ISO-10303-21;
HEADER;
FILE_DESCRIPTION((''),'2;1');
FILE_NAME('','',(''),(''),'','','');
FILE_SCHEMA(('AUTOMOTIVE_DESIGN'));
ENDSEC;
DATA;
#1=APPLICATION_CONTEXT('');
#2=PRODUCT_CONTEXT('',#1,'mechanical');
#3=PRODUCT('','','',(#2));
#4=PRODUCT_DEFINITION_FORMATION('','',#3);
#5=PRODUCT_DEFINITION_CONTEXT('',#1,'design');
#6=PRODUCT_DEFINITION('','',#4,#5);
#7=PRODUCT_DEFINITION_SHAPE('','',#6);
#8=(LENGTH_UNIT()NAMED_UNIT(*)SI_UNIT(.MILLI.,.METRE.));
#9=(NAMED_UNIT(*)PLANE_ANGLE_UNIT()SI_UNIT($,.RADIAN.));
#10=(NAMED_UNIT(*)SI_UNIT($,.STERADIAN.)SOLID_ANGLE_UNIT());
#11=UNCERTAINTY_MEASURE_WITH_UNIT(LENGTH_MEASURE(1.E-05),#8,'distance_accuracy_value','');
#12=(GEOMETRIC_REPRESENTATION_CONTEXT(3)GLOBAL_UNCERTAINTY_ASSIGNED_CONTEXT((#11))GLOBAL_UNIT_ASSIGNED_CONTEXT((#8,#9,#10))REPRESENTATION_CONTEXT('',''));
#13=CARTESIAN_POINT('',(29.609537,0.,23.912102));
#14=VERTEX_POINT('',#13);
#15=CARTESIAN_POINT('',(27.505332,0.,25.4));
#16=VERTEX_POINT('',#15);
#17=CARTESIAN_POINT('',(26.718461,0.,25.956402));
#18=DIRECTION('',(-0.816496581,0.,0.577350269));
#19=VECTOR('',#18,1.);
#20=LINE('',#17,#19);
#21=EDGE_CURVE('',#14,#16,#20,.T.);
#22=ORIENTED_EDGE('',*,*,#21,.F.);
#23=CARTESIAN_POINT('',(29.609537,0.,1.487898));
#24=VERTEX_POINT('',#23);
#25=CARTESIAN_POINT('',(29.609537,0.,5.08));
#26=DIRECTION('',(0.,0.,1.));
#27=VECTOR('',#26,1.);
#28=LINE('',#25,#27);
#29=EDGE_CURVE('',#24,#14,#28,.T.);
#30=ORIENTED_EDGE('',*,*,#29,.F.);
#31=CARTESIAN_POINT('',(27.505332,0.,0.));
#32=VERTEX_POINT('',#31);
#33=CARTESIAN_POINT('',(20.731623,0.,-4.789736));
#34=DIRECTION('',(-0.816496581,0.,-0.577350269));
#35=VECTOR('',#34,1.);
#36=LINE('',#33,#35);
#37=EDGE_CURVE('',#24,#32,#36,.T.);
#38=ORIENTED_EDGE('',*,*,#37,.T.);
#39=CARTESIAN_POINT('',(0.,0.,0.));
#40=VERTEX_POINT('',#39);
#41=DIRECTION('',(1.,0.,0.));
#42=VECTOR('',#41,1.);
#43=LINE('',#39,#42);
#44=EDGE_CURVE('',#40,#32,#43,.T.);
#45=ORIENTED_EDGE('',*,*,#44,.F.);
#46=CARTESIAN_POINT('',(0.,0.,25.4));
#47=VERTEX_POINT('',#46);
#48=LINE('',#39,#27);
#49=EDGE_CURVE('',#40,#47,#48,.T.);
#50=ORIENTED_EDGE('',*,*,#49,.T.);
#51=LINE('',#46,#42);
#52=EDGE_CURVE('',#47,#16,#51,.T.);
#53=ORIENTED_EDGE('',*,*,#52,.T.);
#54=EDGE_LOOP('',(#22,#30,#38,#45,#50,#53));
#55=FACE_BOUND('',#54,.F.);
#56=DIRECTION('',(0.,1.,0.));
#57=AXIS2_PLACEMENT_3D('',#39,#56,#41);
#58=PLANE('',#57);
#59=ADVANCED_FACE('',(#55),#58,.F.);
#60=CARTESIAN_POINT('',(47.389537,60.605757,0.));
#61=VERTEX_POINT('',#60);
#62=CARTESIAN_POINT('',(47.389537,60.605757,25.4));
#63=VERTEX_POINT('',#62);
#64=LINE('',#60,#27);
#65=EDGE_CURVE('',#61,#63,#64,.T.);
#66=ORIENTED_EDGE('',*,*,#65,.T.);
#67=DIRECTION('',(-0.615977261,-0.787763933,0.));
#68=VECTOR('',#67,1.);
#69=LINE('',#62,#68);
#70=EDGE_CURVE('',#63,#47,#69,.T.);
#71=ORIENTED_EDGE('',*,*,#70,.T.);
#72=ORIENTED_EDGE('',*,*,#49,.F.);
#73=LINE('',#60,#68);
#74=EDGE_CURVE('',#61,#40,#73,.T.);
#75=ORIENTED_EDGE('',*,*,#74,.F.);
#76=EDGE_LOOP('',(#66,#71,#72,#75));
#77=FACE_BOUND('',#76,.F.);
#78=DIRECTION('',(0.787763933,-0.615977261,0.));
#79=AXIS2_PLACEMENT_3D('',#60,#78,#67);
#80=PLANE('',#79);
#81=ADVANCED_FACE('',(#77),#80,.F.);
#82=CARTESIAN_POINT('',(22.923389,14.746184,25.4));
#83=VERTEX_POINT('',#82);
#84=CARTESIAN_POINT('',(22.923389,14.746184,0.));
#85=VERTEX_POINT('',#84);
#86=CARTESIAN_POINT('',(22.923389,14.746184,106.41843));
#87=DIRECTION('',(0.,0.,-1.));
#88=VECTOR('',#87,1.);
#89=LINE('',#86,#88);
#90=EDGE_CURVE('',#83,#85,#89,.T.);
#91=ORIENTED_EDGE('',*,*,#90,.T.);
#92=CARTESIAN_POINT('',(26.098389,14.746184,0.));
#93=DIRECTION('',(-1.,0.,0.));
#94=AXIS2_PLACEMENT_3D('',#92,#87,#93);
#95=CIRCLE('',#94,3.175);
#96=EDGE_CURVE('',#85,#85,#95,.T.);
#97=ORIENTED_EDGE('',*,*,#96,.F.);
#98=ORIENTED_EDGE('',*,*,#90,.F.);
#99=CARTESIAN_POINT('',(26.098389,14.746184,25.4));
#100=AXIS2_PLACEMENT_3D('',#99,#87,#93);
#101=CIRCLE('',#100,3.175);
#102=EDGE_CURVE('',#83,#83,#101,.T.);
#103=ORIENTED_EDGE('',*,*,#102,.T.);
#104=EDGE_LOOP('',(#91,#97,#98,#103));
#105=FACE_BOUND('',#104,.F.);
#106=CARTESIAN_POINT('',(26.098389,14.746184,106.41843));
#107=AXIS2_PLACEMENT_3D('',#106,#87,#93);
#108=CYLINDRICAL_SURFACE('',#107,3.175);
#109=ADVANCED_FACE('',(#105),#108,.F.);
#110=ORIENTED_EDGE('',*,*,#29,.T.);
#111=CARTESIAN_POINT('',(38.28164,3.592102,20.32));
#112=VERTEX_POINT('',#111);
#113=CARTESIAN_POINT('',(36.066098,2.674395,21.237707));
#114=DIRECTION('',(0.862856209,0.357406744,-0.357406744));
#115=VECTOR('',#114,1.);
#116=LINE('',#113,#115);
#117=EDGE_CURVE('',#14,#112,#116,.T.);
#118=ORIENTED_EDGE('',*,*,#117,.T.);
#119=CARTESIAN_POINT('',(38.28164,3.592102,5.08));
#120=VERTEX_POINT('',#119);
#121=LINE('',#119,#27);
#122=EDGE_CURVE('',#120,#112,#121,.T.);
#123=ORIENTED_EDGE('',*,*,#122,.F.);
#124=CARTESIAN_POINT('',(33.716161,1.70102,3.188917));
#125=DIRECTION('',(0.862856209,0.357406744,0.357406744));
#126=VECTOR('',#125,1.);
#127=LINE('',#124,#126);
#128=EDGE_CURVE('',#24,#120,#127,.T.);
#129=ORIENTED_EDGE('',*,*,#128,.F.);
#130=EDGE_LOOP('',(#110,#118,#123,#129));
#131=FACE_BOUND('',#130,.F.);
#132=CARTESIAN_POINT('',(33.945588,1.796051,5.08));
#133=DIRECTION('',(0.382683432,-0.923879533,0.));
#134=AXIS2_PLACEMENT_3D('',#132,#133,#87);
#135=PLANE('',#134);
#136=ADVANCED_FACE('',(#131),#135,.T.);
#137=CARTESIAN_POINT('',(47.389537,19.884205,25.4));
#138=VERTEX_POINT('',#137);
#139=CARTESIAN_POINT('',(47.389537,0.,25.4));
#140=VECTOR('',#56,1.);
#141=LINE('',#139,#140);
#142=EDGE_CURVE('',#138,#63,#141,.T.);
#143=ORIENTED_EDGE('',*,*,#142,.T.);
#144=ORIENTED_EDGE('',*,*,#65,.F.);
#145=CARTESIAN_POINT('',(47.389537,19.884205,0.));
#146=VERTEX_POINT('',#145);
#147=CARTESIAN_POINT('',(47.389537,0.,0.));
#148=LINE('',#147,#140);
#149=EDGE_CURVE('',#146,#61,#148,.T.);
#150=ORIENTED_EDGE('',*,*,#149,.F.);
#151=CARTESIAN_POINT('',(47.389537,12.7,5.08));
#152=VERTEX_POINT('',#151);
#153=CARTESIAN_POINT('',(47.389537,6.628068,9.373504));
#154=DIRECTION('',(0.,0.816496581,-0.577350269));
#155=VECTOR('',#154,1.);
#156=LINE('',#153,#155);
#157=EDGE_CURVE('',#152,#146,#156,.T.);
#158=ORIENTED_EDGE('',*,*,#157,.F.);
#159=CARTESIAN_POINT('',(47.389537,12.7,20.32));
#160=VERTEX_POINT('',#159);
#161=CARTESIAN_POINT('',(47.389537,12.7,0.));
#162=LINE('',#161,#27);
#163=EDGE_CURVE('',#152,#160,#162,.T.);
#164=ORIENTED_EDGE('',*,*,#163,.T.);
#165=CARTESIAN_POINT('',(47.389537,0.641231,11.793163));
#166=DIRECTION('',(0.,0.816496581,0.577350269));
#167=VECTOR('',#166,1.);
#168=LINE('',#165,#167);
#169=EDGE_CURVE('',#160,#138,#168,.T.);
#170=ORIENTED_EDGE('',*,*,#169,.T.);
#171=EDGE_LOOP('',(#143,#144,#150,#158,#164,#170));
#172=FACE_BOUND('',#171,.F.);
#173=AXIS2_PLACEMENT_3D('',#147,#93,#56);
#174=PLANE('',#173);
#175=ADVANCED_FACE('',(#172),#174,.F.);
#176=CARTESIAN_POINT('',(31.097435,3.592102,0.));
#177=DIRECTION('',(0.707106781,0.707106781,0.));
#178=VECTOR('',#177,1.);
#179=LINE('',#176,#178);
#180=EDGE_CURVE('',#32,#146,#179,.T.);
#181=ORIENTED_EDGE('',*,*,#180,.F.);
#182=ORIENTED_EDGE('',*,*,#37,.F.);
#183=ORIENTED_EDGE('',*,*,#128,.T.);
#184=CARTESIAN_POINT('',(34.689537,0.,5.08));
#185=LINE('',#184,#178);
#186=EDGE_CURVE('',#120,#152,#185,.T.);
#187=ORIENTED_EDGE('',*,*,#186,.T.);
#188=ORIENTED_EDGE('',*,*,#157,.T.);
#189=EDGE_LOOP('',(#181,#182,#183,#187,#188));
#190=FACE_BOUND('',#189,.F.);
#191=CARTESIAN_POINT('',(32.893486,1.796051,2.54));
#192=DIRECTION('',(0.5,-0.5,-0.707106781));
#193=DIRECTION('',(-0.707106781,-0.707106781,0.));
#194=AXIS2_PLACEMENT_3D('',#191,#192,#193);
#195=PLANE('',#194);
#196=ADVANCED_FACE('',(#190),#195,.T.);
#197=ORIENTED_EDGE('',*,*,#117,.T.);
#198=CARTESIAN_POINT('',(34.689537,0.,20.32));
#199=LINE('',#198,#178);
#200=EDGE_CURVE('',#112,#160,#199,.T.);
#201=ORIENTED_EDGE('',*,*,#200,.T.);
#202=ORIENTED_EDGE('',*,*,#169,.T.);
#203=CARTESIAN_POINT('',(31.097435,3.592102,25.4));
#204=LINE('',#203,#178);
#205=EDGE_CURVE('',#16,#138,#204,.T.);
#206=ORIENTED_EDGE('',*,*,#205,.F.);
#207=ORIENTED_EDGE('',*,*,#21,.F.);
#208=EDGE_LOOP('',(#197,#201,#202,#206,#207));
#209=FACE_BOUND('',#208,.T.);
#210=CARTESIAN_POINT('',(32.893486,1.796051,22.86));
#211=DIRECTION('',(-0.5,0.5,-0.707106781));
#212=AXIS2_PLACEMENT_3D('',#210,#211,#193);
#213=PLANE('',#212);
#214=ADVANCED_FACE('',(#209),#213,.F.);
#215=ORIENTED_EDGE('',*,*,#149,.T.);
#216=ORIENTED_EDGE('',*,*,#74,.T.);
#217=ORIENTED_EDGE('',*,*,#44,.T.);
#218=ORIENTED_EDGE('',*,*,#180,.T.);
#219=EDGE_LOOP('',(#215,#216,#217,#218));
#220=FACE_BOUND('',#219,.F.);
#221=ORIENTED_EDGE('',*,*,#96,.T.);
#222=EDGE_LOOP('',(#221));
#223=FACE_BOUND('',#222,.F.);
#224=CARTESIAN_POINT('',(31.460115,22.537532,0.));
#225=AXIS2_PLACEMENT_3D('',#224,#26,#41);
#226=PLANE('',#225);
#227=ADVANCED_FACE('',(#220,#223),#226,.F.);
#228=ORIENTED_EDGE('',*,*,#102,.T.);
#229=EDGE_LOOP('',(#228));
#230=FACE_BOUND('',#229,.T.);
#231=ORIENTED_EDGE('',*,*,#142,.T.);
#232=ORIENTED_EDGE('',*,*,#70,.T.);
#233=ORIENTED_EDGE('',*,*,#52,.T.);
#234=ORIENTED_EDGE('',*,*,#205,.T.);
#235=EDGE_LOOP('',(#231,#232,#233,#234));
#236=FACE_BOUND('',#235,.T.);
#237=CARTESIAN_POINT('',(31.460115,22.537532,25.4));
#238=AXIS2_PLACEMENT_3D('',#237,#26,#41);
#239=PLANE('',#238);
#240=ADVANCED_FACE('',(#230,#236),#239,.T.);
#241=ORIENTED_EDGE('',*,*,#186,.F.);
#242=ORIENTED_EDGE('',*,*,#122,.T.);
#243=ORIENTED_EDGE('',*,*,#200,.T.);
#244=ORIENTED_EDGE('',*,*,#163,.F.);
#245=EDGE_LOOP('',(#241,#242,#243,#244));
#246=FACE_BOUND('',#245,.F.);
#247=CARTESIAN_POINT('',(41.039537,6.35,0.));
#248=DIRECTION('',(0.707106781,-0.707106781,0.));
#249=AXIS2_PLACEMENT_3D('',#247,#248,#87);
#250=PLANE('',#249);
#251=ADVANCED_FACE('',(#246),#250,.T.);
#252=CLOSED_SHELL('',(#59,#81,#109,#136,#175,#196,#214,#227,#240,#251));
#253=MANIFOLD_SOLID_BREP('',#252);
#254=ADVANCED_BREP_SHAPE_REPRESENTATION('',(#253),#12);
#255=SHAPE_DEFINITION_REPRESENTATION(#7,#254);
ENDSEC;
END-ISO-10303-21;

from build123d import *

# Parameters (mm, degrees)
F1_DEPTH = 25.4
F2_SIZE  = 12.7
F3_SIZE  = 5.08
F4_SIZE  = 5.08
F5_SIZE  = 5.08
F7_D     = 6.35


with BuildPart() as f1:
    # F0 (on Top) → F1 (new body)
    with BuildSketch(Plane.XY):
        Polygon((47.389537096, 60.6057569385), (0, 0), (47.389537096, 0), align=None)
    extrude(amount=F1_DEPTH)

    # F2
    f2_edges = [f1.edges().sort_by_distance(p)[0] for p in [
        (47.389537, 0, 12.7),
    ]]
    chamfer(f2_edges, length=F2_SIZE)

    # F3
    f3_edges = [f1.edges().sort_by_distance(p)[0] for p in [
        (41.039537, 6.35, 25.4),
    ]]
    chamfer(f3_edges, length=F3_SIZE)

    # F4
    f4_edges = [f1.edges().sort_by_distance(p)[0] for p in [
        (41.039537, 6.35, 0),
    ]]
    chamfer(f4_edges, length=F4_SIZE)

    # F5
    f5_edges = [f1.edges().sort_by_distance(p)[0] for p in [
        (34.689537, 0, 12.7),
    ]]
    chamfer(f5_edges, length=F5_SIZE)

    # F7 (through all)
    with Locations(Plane.XY.offset(25.4)):
        with Locations((26.0983891785, 14.7461835295)):
            Hole(F7_D / 2)


solid = f1.part
